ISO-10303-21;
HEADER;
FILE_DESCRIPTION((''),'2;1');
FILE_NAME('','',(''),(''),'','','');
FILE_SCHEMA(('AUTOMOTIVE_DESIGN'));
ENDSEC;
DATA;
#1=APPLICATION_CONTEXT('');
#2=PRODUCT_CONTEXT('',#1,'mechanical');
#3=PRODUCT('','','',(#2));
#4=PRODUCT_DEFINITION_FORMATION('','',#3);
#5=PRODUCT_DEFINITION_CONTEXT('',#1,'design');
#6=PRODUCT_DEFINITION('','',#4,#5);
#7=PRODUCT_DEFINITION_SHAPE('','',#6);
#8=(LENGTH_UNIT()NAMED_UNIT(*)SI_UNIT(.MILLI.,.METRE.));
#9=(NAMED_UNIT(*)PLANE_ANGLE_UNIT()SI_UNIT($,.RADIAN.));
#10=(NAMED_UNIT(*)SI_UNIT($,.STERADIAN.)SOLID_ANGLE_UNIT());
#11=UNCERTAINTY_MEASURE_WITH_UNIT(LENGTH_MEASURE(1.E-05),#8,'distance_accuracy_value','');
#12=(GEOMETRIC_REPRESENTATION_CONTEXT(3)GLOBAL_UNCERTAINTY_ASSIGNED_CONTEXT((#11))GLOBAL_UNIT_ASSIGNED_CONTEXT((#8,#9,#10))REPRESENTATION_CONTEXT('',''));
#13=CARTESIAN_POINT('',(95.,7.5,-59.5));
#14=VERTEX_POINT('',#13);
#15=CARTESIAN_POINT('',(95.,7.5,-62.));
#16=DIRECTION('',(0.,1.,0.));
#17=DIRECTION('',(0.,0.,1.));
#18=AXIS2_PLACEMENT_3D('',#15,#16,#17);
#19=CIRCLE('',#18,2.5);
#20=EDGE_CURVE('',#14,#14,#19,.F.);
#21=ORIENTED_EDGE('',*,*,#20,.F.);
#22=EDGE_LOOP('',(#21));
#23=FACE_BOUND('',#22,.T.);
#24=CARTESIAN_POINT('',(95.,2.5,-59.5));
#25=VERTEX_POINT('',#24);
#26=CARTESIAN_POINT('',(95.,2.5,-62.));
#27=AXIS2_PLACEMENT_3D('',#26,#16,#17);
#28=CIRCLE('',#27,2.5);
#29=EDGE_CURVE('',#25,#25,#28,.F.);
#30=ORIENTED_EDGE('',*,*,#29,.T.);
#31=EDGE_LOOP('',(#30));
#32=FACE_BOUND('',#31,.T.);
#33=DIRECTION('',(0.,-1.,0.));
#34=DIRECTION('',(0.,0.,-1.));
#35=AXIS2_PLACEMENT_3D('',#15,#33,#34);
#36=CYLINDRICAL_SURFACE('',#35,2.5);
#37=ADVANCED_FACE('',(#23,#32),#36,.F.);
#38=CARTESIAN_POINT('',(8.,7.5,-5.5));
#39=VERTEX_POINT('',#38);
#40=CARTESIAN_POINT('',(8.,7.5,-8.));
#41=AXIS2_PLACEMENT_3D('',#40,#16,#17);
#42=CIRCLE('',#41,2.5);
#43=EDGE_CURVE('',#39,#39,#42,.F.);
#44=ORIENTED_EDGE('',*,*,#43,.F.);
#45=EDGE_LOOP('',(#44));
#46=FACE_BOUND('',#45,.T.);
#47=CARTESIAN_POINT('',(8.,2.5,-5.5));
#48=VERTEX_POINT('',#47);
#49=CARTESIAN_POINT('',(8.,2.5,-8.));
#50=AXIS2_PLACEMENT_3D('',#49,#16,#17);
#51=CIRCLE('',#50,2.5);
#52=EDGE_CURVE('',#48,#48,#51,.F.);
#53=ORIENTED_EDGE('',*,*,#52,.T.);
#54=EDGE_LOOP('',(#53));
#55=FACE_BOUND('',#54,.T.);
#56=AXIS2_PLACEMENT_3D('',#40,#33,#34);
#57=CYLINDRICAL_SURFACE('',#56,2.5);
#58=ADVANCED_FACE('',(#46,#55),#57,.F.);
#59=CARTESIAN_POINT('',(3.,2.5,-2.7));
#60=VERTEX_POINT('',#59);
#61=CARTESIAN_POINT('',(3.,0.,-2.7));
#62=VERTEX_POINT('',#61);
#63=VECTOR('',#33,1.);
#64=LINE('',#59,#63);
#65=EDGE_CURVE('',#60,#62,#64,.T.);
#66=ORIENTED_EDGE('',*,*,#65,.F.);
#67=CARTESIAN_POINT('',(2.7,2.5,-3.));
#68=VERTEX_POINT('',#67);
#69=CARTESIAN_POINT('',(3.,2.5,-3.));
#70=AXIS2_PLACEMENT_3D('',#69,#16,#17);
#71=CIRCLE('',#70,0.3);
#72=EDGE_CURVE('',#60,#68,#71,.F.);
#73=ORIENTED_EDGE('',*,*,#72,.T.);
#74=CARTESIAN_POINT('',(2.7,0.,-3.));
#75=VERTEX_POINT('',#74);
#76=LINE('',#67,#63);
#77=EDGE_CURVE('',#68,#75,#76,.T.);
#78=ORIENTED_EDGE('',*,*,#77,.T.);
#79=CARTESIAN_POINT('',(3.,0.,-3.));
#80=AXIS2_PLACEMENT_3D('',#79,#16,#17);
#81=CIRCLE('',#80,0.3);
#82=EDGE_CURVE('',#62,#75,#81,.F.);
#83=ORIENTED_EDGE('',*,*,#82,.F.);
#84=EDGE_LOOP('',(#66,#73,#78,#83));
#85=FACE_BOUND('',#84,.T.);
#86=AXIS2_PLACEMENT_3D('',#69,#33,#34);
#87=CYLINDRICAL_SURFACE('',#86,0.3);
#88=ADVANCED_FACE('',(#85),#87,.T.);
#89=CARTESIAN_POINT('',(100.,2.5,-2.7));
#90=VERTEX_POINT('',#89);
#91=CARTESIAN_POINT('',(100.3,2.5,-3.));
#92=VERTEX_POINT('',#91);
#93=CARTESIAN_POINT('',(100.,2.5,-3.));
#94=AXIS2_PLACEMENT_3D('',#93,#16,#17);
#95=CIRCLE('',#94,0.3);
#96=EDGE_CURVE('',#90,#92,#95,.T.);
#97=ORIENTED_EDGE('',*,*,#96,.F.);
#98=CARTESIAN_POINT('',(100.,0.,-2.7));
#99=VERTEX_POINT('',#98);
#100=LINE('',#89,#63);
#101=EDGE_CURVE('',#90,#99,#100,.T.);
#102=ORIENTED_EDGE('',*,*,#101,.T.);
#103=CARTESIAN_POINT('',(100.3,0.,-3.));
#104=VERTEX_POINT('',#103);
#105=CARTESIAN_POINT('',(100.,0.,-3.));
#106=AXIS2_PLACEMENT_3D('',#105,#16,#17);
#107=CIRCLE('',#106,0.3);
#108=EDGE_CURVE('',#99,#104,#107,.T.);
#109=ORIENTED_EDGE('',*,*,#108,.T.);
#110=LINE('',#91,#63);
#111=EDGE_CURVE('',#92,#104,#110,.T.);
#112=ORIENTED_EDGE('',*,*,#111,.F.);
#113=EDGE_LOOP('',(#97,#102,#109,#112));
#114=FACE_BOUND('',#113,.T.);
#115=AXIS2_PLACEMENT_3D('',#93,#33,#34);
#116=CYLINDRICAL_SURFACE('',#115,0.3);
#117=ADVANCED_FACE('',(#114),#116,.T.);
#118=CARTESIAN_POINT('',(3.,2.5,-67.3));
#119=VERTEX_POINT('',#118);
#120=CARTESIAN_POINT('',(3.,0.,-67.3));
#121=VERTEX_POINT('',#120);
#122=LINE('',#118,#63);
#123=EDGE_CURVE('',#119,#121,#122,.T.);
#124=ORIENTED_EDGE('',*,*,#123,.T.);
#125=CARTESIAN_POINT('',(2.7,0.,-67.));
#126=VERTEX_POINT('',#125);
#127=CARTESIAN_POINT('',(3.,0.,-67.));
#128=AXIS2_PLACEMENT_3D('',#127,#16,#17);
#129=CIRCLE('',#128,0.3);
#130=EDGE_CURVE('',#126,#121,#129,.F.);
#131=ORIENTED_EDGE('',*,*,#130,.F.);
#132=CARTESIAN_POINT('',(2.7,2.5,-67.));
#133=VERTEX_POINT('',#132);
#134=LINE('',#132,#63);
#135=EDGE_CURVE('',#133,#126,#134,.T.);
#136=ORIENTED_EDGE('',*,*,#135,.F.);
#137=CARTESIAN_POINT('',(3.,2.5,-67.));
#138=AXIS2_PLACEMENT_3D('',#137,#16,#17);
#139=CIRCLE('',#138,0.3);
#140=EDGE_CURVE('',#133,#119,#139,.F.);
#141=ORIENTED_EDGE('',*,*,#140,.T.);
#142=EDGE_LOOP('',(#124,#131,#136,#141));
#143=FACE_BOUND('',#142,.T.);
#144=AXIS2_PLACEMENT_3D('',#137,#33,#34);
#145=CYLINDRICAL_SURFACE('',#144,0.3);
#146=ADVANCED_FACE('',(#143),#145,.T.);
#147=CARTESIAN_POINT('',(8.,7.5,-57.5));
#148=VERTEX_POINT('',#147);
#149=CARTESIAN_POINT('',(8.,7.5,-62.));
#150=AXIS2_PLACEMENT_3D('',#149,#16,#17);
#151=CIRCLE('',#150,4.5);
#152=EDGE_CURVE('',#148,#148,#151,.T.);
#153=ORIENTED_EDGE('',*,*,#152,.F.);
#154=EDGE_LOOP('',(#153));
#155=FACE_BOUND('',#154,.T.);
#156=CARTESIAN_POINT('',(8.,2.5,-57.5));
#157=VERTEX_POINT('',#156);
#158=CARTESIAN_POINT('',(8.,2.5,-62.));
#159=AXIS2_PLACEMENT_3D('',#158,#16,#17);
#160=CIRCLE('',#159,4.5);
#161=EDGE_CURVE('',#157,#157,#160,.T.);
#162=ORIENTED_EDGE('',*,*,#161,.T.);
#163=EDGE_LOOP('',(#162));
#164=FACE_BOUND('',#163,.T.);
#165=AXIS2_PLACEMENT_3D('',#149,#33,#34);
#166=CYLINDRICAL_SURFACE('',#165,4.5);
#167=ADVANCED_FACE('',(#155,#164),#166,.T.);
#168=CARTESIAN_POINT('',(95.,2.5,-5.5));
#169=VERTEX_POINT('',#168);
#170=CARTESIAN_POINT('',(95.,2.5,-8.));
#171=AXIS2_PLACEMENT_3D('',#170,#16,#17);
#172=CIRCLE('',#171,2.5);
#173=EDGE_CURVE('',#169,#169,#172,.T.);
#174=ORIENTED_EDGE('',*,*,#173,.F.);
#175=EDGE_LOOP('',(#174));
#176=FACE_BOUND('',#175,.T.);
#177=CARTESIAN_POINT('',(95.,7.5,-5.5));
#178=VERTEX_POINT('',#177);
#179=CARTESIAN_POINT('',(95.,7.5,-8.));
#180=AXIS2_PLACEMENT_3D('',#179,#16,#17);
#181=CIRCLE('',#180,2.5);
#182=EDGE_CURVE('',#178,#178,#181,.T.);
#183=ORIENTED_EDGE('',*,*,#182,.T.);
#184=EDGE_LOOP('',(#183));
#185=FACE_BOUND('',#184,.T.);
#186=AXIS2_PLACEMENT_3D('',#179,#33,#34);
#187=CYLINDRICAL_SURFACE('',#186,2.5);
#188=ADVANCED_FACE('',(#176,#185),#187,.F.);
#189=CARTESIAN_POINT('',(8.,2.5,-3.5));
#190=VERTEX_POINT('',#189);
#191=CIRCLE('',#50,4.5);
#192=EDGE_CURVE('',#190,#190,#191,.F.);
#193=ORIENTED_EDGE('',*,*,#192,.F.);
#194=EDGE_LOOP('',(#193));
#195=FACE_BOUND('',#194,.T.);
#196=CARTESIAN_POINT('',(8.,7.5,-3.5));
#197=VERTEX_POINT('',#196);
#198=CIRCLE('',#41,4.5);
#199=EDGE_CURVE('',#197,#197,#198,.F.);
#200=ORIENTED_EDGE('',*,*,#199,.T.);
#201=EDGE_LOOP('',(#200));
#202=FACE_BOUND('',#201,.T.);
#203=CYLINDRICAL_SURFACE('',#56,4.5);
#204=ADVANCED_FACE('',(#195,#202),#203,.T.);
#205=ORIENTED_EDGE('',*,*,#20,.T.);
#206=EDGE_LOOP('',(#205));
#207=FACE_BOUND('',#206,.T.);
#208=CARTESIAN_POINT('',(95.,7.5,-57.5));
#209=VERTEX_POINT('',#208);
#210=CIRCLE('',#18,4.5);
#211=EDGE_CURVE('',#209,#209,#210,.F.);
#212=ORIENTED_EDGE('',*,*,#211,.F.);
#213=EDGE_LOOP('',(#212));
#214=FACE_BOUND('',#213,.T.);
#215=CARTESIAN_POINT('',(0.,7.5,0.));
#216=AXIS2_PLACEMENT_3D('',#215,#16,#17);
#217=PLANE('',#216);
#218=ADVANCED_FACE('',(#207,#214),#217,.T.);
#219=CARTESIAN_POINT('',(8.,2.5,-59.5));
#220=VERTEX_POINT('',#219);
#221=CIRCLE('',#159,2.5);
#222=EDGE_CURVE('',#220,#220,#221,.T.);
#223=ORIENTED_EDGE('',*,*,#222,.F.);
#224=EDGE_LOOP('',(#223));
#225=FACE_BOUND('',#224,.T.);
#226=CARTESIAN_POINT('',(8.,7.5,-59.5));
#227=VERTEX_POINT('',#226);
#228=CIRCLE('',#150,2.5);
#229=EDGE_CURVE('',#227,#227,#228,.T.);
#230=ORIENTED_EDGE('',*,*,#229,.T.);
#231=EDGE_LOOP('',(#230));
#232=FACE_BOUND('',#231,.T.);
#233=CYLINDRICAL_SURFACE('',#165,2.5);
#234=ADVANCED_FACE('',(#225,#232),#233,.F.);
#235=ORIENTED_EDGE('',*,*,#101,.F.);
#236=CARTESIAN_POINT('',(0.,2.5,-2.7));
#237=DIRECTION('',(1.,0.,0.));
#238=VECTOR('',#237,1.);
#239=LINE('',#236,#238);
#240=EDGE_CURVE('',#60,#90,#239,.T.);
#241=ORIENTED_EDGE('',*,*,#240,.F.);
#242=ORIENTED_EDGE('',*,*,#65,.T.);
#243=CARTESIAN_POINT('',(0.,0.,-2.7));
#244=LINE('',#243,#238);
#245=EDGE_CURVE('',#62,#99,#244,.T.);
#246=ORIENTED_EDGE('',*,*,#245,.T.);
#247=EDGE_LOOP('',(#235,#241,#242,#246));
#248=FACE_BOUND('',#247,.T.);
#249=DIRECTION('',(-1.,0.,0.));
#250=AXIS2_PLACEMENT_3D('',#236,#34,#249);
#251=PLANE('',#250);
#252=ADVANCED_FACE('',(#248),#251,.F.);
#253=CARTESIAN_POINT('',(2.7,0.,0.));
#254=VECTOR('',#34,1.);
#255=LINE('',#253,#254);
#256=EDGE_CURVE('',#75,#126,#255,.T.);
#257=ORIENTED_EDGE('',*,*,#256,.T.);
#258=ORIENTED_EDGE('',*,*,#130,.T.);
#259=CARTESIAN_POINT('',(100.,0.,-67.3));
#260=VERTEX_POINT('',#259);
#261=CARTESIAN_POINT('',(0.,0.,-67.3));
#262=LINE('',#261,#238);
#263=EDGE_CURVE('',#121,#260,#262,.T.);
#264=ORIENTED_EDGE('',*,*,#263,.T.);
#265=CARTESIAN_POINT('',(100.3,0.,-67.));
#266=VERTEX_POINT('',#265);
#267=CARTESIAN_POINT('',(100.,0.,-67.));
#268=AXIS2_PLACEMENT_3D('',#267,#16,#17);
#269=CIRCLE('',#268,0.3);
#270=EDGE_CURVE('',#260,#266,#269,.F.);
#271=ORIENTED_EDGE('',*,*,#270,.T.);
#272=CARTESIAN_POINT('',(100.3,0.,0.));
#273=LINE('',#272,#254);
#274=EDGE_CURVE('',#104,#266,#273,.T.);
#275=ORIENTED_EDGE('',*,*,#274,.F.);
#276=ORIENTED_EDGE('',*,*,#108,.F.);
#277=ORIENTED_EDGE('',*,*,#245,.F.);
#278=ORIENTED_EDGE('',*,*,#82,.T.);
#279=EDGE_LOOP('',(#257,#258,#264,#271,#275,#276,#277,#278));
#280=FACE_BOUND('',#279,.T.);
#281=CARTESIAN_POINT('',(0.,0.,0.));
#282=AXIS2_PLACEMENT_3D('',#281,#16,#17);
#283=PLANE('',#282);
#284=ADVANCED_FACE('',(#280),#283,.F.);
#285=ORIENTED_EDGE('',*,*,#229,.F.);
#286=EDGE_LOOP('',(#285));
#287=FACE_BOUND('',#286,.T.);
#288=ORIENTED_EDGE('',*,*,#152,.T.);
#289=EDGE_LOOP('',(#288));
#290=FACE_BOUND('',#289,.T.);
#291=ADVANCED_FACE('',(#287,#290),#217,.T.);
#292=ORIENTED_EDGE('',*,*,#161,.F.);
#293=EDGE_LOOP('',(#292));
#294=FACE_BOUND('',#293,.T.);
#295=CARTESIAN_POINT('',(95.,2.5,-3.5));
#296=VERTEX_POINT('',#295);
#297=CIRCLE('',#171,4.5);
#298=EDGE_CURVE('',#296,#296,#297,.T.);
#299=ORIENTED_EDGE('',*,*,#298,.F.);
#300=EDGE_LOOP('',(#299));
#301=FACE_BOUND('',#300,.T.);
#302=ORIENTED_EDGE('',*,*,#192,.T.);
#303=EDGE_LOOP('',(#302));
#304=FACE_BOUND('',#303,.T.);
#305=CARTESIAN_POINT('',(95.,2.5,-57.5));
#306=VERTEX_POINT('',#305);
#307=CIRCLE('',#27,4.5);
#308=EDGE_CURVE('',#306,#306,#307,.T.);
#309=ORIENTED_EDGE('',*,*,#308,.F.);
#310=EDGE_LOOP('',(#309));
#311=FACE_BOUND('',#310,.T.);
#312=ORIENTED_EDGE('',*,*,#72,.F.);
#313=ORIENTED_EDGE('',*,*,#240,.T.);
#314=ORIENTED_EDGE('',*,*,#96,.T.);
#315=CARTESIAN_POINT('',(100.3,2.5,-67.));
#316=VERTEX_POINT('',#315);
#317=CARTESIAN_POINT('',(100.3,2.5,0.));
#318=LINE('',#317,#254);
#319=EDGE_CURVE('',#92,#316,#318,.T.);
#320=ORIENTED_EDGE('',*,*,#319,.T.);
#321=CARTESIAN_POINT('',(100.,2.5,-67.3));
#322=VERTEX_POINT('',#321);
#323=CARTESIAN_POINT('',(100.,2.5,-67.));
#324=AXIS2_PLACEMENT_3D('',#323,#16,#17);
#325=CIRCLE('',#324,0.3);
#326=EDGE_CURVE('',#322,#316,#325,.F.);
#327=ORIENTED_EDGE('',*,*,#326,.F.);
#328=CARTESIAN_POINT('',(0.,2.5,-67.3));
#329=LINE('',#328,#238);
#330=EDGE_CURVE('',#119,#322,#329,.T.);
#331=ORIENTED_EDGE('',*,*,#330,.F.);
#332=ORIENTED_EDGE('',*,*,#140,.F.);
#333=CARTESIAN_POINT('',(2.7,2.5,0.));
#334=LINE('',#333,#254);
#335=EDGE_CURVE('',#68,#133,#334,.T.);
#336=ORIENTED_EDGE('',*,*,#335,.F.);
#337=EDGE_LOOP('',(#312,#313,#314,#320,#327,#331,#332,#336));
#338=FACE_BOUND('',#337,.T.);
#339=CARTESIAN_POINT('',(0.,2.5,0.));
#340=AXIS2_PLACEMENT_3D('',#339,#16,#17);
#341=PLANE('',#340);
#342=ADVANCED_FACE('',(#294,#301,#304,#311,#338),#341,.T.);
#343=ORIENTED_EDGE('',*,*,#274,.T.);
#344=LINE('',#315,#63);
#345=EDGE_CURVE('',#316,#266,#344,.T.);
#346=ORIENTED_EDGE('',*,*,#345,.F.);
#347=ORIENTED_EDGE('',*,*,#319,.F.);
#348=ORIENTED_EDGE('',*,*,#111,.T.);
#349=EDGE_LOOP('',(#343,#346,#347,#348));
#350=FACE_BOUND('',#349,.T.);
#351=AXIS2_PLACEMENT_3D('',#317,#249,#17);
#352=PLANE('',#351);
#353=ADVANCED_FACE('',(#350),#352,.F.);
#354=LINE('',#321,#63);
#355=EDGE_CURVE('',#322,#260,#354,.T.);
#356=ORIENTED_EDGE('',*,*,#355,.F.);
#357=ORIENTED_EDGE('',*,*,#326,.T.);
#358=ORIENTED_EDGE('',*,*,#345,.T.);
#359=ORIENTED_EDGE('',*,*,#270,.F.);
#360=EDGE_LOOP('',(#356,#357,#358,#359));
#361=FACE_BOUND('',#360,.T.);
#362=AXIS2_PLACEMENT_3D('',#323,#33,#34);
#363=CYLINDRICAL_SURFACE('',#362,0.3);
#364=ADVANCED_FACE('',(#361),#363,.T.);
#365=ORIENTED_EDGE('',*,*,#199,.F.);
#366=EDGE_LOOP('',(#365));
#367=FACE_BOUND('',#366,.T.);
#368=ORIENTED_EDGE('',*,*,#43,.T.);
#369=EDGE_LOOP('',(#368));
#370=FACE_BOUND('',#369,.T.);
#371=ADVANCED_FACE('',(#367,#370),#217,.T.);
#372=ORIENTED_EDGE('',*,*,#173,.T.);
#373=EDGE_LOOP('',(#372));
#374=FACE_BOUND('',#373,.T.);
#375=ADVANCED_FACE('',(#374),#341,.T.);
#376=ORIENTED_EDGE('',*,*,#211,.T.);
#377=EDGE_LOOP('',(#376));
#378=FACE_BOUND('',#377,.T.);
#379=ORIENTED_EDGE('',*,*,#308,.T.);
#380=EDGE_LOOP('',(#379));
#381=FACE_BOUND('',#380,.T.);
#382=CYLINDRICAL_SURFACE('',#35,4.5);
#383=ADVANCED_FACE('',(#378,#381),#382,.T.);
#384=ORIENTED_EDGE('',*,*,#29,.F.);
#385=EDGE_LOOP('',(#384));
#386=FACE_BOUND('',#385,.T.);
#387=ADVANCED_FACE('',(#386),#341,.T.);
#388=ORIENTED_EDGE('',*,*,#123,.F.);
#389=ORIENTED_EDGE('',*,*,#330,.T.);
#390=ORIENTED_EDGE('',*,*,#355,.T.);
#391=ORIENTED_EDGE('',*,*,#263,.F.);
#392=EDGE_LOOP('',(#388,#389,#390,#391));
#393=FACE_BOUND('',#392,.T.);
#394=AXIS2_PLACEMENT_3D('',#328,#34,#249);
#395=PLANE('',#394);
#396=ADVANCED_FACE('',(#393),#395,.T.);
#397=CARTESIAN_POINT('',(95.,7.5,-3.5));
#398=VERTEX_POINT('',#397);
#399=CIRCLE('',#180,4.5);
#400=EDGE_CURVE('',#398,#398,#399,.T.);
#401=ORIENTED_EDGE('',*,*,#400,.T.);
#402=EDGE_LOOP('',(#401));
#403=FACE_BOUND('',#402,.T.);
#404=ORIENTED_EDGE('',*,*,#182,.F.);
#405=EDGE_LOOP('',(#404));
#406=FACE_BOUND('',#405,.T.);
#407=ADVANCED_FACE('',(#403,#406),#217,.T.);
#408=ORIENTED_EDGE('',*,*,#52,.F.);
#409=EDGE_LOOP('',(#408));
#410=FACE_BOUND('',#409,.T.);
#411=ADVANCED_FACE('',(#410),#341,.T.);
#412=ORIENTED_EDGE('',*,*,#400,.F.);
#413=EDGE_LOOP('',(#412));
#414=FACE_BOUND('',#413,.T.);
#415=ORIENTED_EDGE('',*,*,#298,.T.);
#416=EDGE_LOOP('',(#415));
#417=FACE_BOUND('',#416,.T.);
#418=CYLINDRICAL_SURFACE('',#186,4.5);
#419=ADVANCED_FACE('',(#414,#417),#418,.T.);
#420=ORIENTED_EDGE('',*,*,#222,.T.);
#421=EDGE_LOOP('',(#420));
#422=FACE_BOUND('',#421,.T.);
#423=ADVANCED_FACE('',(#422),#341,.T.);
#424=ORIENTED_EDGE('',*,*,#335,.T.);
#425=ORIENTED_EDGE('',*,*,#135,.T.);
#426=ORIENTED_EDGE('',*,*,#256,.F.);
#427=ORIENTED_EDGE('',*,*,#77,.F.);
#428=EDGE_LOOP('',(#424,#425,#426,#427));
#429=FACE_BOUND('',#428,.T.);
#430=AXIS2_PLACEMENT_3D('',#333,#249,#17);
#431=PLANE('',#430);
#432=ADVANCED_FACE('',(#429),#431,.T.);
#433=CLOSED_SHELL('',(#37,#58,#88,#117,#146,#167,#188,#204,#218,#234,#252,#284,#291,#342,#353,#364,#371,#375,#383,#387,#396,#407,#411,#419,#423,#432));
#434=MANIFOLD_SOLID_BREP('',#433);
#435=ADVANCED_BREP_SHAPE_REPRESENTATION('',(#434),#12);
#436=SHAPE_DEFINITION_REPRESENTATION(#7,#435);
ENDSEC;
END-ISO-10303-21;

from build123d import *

# Parameters (mm, degrees)
SKETCH2_R             = 4.5
SKETCH2_R_2           = 2.5
BOSS_EXTRUDE2_DEPTH   = 7.5
BOSS_EXTRUDE2_2_DEPTH = 7.5
BOSS_EXTRUDE2_3_DEPTH = 7.5
BOSS_EXTRUDE2_4_DEPTH = 7.5
SKETCH2_10_R          = 4.5
SKETCH2_10_R_2        = 2.5
BOSS_EXTRUDE4_DEPTH   = 2.5


with BuildPart() as part:
    # Sketch2 → Boss-Extrude2 (new body)
    with BuildSketch(Plane(origin=(0, 0, 0), x_dir=(1, 0, 0), z_dir=(0, 1, 0))):
        with Locations((95, 8)):
            Circle(SKETCH2_R)
        with Locations((95, 8)):
            Circle(SKETCH2_R_2, mode=Mode.SUBTRACT)
    extrude(amount=BOSS_EXTRUDE2_DEPTH)



with BuildPart() as body_2:
    # Sketch2 → Boss-Extrude2 2 (new body)
    with BuildSketch(Plane(origin=(0, 0, 0), x_dir=(1, 0, 0), z_dir=(0, 1, 0))):
        with Locations((95, 62)):
            Circle(SKETCH2_R)
        with Locations((95, 62)):
            Circle(SKETCH2_R_2, mode=Mode.SUBTRACT)
    extrude(amount=BOSS_EXTRUDE2_2_DEPTH)


with BuildPart() as body_3:
    # Sketch2 → Boss-Extrude2 3 (new body)
    with BuildSketch(Plane(origin=(0, 0, 0), x_dir=(1, 0, 0), z_dir=(0, 1, 0))):
        with Locations((8, 62)):
            Circle(SKETCH2_R)
        with Locations((8, 62)):
            Circle(SKETCH2_R_2, mode=Mode.SUBTRACT)
    extrude(amount=BOSS_EXTRUDE2_3_DEPTH)


with BuildPart() as body_4:
    # Sketch2 → Boss-Extrude2 4 (new body)
    with BuildSketch(Plane(origin=(0, 0, 0), x_dir=(1, 0, 0), z_dir=(0, 1, 0))):
        with Locations((8, 8)):
            Circle(SKETCH2_R)
        with Locations((8, 8)):
            Circle(SKETCH2_R_2, mode=Mode.SUBTRACT)
    extrude(amount=BOSS_EXTRUDE2_4_DEPTH)


with BuildPart() as part_1:
    add(part.part)

    add(body_2.part)  # Boss-Extrude4 merges body 2

    add(body_3.part)  # Boss-Extrude4 merges body 3

    add(body_4.part)  # Boss-Extrude4 merges body 4
    # Sketch2<10> → Boss-Extrude4 (add)
    # profile 1 of 5: a face of its own
    with BuildSketch(Plane(origin=(0, 0, 0), x_dir=(1, 0, 0), z_dir=(0, 1, 0))):
        with BuildLine():
            ThreePointArc((100, 2.7), (100.212132034, 2.787867966), (100.3, 3))
            Line((100.3, 3), (100.3, 67))
            ThreePointArc((100.3, 67), (100.212132034, 67.212132034), (100, 67.3))
            Line((100, 67.3), (3, 67.3))
            ThreePointArc((3, 67.3), (2.787867966, 67.212132034), (2.7, 67))
            Line((2.7, 67), (2.7, 3))
            ThreePointArc((2.7, 3), (2.787867966, 2.787867966), (3, 2.7))
            Line((3, 2.7), (100, 2.7))
        make_face()
        with Locations((8, 8)):
            Circle(SKETCH2_10_R, mode=Mode.SUBTRACT)
        with Locations((95, 8)):
            Circle(SKETCH2_10_R, mode=Mode.SUBTRACT)
        with Locations((8, 62)):
            Circle(SKETCH2_10_R, mode=Mode.SUBTRACT)
        with Locations((95, 62)):
            Circle(SKETCH2_10_R, mode=Mode.SUBTRACT)
    # profile 2 of 5: a face of its own
    with BuildSketch(Plane(origin=(0, 0, 0), x_dir=(1, 0, 0), z_dir=(0, 1, 0))):
        with Locations((95, 8)):
            Circle(SKETCH2_10_R_2)
    # profile 3 of 5: a face of its own
    with BuildSketch(Plane(origin=(0, 0, 0), x_dir=(1, 0, 0), z_dir=(0, 1, 0))):
        with Locations((95, 62)):
            Circle(SKETCH2_10_R_2)
    # profile 4 of 5: a face of its own
    with BuildSketch(Plane(origin=(0, 0, 0), x_dir=(1, 0, 0), z_dir=(0, 1, 0))):
        with Locations((8, 62)):
            Circle(SKETCH2_10_R_2)
    # profile 5 of 5: a face of its own
    with BuildSketch(Plane(origin=(0, 0, 0), x_dir=(1, 0, 0), z_dir=(0, 1, 0))):
        with Locations((8, 8)):
            Circle(SKETCH2_10_R_2)
    extrude(amount=BOSS_EXTRUDE4_DEPTH)


solid = part_1.part
